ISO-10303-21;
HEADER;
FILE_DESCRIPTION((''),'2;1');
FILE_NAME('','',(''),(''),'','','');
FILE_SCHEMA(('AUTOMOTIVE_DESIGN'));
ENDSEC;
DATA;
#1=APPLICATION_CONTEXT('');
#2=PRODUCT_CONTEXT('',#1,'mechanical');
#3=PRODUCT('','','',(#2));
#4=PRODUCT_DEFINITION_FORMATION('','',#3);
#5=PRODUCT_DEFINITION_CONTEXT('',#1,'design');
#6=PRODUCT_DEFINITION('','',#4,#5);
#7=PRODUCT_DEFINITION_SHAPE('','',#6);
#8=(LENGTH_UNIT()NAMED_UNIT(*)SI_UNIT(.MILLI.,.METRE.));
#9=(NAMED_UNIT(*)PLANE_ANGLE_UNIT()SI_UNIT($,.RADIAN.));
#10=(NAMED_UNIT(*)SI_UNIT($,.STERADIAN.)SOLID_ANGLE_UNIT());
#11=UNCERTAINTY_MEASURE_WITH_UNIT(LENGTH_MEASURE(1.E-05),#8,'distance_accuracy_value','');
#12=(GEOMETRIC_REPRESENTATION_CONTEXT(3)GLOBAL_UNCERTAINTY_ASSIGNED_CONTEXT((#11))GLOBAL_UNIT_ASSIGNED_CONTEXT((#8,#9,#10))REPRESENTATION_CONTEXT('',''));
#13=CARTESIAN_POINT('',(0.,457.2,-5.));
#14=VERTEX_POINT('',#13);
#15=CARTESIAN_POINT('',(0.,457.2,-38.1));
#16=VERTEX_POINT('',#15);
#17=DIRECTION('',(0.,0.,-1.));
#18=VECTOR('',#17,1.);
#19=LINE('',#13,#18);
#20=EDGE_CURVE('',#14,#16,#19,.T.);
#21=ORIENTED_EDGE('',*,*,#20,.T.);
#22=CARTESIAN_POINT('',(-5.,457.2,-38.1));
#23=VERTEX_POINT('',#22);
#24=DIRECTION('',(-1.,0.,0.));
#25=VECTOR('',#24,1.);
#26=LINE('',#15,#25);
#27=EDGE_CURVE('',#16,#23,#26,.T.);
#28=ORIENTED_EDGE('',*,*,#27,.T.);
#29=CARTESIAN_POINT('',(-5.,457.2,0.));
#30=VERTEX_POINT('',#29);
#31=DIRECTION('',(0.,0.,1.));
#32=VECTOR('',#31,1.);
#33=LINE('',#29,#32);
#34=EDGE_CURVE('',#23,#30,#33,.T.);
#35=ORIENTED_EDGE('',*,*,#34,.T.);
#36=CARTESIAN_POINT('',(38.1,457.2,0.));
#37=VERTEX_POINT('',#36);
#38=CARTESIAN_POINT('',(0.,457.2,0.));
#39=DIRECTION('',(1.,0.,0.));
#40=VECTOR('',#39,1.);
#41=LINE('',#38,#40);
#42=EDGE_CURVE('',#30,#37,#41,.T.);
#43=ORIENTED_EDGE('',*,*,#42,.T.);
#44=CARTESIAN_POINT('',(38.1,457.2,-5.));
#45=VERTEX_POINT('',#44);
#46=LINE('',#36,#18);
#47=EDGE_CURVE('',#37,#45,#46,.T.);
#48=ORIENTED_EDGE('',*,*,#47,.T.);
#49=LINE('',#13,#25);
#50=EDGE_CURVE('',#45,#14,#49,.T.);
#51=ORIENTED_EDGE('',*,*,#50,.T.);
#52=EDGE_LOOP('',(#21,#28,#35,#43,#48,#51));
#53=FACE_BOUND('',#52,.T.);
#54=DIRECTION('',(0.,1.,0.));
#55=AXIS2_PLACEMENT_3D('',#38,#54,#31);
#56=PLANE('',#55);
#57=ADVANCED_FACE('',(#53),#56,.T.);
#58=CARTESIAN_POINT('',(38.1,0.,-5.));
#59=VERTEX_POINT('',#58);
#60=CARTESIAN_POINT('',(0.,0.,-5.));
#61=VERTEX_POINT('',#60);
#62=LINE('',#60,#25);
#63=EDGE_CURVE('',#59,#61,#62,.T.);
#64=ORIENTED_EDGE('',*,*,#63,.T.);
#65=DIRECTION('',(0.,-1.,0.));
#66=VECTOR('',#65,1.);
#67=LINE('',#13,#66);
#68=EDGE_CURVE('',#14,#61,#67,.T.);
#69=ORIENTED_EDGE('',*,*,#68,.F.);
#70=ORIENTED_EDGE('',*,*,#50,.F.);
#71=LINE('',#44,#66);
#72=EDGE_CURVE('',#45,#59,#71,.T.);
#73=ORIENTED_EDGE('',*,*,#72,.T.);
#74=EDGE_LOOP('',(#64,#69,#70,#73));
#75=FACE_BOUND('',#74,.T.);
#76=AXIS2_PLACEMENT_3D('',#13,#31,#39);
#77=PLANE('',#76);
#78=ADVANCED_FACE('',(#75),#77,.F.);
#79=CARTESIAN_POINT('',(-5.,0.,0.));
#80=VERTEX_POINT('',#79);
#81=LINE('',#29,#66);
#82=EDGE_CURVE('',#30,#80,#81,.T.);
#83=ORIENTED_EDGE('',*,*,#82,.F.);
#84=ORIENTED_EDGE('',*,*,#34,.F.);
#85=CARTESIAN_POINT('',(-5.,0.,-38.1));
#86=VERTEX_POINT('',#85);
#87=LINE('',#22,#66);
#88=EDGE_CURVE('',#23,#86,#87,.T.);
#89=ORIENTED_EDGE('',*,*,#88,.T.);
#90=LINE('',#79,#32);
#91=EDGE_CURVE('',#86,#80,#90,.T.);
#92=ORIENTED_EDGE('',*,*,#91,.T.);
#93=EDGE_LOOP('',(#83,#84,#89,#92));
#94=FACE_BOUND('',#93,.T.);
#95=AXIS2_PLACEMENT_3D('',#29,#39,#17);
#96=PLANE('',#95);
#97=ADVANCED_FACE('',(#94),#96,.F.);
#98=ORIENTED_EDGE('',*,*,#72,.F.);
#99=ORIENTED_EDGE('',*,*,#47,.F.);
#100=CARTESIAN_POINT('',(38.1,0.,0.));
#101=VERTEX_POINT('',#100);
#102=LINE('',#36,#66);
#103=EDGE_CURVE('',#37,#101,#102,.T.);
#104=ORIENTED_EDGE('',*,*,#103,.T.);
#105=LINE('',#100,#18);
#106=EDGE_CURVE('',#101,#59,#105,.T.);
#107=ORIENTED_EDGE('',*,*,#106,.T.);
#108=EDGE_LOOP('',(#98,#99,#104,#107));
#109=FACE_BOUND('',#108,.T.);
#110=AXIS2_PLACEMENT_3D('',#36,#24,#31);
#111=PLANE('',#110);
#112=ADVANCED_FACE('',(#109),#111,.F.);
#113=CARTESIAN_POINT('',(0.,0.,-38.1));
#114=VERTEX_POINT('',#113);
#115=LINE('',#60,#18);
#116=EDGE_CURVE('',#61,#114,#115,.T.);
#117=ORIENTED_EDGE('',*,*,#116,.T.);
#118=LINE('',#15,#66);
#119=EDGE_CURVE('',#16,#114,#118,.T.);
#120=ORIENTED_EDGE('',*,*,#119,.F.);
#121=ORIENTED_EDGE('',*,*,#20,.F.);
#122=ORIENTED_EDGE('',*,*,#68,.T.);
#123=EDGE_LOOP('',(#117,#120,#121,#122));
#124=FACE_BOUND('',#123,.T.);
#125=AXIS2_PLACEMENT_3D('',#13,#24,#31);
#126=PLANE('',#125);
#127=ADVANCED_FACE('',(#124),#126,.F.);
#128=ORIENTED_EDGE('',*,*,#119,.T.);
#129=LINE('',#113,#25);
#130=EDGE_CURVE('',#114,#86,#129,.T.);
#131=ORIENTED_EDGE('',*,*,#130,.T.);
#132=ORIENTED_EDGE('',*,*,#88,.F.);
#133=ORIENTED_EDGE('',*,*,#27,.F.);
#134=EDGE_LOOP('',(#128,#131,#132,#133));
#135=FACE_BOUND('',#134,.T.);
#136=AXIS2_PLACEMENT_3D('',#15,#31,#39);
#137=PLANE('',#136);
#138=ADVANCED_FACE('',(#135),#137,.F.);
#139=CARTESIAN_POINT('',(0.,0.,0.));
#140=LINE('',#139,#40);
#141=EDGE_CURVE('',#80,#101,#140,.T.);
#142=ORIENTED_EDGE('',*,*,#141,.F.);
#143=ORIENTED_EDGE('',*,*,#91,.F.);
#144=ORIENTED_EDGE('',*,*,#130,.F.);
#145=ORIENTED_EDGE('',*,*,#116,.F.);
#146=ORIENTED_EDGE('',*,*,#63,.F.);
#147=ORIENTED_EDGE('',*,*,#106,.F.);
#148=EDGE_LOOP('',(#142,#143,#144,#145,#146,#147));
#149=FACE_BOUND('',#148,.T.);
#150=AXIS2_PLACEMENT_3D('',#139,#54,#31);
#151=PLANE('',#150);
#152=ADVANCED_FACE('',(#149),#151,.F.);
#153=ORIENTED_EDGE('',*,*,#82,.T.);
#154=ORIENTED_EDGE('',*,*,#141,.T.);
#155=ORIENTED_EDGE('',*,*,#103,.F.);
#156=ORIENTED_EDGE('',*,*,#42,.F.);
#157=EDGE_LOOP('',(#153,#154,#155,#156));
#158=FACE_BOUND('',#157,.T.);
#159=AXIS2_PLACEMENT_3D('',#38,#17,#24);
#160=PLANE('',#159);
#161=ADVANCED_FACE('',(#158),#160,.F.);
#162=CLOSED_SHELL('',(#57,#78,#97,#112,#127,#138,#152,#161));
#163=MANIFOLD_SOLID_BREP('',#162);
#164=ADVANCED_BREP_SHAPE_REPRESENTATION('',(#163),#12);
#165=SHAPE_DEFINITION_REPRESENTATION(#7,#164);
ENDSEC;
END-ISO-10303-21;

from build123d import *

# Parameters (mm, degrees)
BOSS_EXTRUDE1_DEPTH = 457.2


with BuildPart() as part:
    # Sketch1 → Boss-Extrude1 (new body)
    with BuildSketch(Plane(origin=(0, 0, 0), x_dir=(1, 0, 0), z_dir=(0, 1, 0))):
        Polygon((0, 0), (-5, 0), (-5, 38.1), (0, 38.1), (0, 5), (38.1, 5), (38.1, 0), align=None)
    extrude(amount=BOSS_EXTRUDE1_DEPTH)


solid = part.part
